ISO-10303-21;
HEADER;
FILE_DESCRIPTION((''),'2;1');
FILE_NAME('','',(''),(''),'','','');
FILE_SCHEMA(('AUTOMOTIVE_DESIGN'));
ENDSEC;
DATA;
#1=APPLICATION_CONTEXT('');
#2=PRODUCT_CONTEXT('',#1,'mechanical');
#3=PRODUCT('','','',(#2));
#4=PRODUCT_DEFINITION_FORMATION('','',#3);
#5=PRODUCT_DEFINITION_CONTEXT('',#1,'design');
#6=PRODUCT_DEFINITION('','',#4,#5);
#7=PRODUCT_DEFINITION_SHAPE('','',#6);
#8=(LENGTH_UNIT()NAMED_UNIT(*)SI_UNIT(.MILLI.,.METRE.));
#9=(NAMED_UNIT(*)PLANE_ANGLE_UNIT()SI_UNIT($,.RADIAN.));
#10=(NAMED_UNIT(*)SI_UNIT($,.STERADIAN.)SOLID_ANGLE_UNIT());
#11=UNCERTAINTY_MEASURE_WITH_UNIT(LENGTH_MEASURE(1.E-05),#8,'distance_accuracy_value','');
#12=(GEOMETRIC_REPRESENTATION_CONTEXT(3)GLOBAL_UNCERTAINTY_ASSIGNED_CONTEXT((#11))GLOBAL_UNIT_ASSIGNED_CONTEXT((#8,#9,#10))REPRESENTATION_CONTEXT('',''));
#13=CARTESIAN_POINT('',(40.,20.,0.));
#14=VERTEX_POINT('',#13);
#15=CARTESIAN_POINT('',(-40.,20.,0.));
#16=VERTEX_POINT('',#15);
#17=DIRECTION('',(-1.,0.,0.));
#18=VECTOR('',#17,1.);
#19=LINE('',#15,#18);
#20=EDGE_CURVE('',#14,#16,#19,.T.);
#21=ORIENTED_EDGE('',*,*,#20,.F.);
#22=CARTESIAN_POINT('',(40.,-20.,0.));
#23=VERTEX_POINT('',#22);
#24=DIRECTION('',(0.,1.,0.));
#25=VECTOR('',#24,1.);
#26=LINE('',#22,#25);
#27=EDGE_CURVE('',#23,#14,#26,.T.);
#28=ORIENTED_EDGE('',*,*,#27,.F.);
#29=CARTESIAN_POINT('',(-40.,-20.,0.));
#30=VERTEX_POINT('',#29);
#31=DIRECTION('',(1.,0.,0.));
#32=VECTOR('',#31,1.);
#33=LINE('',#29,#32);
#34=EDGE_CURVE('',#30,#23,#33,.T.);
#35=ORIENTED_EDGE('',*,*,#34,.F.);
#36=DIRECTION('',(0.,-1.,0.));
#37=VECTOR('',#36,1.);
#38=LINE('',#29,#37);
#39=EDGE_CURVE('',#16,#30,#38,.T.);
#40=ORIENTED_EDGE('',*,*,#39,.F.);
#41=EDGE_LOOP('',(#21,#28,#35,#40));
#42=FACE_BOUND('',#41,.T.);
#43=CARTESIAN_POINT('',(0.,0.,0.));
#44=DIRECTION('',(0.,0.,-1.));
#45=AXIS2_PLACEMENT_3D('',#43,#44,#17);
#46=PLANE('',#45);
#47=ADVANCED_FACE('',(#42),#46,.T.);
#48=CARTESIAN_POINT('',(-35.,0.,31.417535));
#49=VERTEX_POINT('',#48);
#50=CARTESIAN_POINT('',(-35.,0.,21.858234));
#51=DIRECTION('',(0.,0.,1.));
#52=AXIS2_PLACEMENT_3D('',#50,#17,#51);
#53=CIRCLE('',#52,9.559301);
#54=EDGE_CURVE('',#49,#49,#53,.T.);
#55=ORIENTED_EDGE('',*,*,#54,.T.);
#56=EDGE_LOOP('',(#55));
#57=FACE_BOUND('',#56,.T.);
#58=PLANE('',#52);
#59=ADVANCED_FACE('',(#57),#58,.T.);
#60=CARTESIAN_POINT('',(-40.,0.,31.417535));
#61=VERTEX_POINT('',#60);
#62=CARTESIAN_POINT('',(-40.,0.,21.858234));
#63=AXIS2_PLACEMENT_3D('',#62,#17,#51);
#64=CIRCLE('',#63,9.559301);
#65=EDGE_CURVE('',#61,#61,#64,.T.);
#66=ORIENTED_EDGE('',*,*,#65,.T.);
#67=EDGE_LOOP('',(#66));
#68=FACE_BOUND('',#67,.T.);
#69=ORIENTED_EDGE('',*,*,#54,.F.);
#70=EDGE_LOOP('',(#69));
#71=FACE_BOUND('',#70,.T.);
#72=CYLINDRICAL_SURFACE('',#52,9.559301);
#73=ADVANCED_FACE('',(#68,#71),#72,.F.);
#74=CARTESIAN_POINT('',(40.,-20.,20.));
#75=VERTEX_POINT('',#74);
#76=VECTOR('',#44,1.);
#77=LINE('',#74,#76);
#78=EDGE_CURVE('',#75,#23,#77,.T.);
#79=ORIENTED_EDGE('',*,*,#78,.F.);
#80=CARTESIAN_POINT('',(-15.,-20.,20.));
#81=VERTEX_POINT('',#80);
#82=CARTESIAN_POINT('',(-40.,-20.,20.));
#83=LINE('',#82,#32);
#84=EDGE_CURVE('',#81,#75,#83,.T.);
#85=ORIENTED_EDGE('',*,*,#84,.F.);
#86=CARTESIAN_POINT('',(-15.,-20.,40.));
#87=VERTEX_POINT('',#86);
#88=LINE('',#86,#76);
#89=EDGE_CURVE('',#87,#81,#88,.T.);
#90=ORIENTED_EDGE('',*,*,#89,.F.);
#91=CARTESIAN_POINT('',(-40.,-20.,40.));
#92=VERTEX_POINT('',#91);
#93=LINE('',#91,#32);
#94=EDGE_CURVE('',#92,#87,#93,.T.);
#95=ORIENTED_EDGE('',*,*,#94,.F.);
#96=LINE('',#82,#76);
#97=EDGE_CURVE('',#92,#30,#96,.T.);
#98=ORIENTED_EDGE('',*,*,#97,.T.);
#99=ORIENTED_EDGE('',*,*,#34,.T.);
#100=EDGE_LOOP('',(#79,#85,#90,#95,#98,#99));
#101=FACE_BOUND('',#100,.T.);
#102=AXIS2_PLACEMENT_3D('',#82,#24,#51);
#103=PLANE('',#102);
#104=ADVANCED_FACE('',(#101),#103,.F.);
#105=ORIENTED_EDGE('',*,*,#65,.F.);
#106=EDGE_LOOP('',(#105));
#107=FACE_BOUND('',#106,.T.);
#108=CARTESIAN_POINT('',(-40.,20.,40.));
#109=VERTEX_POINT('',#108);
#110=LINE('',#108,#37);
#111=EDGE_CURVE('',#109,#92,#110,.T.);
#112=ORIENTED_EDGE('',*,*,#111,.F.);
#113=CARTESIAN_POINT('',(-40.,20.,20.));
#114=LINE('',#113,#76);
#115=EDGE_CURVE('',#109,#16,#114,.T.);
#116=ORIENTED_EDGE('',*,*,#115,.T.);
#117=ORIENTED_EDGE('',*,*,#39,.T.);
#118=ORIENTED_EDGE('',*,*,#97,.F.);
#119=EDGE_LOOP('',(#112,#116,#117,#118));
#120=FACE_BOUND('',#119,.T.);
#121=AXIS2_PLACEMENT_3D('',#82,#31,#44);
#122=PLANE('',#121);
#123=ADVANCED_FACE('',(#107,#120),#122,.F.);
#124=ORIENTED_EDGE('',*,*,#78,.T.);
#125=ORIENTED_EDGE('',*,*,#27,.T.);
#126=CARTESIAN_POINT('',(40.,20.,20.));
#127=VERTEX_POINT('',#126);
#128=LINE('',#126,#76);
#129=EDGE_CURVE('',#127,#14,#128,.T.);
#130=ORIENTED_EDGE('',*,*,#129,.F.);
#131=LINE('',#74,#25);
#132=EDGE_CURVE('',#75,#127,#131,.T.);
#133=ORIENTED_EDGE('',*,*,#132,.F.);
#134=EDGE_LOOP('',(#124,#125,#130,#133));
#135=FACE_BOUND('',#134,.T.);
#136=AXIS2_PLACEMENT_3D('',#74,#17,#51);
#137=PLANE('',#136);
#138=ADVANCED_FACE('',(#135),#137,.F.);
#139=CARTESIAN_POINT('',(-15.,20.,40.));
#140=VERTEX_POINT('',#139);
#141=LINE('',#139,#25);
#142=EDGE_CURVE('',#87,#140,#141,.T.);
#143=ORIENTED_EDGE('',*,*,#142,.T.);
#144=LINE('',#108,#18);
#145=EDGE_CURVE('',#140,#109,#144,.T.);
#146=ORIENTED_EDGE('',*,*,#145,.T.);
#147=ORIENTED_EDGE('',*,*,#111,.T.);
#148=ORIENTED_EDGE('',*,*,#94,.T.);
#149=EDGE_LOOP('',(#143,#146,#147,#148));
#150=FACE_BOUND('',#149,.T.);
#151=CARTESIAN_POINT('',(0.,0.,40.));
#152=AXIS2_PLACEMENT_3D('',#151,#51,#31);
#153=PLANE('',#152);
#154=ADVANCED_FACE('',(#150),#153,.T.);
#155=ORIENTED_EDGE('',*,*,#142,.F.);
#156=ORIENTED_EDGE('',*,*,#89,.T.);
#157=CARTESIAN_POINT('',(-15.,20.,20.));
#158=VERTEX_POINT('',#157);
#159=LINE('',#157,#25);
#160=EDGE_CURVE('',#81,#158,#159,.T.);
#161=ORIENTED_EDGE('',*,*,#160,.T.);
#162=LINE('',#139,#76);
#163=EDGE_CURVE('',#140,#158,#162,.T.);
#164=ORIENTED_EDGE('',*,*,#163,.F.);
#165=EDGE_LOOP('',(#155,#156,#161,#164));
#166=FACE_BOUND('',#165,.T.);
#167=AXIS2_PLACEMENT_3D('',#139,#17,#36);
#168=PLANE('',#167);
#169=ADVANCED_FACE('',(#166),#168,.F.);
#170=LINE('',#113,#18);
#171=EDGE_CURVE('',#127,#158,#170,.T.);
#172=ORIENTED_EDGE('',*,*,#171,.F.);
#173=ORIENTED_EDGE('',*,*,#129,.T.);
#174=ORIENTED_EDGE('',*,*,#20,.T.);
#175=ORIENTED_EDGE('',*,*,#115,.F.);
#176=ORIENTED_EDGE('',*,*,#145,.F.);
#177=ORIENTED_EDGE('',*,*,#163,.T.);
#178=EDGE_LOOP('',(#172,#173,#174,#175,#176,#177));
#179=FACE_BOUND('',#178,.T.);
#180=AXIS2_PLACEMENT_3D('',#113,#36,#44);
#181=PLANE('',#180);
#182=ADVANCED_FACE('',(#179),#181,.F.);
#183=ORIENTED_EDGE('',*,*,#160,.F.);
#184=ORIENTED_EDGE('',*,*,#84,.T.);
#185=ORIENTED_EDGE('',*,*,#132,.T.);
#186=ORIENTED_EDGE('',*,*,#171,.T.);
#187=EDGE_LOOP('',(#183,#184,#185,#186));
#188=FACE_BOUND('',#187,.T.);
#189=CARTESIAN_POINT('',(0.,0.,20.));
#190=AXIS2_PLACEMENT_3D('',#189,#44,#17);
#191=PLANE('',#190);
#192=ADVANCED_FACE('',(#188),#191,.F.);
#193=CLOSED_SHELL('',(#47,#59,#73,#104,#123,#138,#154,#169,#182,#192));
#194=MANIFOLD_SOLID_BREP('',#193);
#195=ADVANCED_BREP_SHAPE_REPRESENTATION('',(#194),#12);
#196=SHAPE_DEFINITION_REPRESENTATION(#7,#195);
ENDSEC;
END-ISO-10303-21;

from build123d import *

# Parameters (mm, degrees)
SKETCH_1_W          = 80
SKETCH_1_H          = 40
EXTRUDE_1_DEPTH     = 20
SKETCH_2_W          = 25
SKETCH_2_H          = 40
EXTRUDE_2_DEPTH     = 20
SKETCH_3_R          = 9.55930051
CUT_EXTRUDE_1_DEPTH = 5


with BuildPart() as part:
    # 草图1 → 凸台-拉伸1 (new body)
    with BuildSketch(Plane.XY):
        Rectangle(SKETCH_1_W, SKETCH_1_H)
    extrude(amount=EXTRUDE_1_DEPTH)

    # 草图2 → 凸台-拉伸2 (add)
    with BuildSketch(Plane.XY.offset(20)):
        with Locations((-27.5, 0)):
            Rectangle(SKETCH_2_W, SKETCH_2_H)
    extrude(amount=EXTRUDE_2_DEPTH)

    # 草图3 → 切除-拉伸1 (cut)
    with BuildSketch(Plane.ZY.offset(40)):
        with Locations((21.858234258, 0)):
            Circle(SKETCH_3_R)
    extrude(amount=-CUT_EXTRUDE_1_DEPTH, mode=Mode.SUBTRACT)


solid = part.part
